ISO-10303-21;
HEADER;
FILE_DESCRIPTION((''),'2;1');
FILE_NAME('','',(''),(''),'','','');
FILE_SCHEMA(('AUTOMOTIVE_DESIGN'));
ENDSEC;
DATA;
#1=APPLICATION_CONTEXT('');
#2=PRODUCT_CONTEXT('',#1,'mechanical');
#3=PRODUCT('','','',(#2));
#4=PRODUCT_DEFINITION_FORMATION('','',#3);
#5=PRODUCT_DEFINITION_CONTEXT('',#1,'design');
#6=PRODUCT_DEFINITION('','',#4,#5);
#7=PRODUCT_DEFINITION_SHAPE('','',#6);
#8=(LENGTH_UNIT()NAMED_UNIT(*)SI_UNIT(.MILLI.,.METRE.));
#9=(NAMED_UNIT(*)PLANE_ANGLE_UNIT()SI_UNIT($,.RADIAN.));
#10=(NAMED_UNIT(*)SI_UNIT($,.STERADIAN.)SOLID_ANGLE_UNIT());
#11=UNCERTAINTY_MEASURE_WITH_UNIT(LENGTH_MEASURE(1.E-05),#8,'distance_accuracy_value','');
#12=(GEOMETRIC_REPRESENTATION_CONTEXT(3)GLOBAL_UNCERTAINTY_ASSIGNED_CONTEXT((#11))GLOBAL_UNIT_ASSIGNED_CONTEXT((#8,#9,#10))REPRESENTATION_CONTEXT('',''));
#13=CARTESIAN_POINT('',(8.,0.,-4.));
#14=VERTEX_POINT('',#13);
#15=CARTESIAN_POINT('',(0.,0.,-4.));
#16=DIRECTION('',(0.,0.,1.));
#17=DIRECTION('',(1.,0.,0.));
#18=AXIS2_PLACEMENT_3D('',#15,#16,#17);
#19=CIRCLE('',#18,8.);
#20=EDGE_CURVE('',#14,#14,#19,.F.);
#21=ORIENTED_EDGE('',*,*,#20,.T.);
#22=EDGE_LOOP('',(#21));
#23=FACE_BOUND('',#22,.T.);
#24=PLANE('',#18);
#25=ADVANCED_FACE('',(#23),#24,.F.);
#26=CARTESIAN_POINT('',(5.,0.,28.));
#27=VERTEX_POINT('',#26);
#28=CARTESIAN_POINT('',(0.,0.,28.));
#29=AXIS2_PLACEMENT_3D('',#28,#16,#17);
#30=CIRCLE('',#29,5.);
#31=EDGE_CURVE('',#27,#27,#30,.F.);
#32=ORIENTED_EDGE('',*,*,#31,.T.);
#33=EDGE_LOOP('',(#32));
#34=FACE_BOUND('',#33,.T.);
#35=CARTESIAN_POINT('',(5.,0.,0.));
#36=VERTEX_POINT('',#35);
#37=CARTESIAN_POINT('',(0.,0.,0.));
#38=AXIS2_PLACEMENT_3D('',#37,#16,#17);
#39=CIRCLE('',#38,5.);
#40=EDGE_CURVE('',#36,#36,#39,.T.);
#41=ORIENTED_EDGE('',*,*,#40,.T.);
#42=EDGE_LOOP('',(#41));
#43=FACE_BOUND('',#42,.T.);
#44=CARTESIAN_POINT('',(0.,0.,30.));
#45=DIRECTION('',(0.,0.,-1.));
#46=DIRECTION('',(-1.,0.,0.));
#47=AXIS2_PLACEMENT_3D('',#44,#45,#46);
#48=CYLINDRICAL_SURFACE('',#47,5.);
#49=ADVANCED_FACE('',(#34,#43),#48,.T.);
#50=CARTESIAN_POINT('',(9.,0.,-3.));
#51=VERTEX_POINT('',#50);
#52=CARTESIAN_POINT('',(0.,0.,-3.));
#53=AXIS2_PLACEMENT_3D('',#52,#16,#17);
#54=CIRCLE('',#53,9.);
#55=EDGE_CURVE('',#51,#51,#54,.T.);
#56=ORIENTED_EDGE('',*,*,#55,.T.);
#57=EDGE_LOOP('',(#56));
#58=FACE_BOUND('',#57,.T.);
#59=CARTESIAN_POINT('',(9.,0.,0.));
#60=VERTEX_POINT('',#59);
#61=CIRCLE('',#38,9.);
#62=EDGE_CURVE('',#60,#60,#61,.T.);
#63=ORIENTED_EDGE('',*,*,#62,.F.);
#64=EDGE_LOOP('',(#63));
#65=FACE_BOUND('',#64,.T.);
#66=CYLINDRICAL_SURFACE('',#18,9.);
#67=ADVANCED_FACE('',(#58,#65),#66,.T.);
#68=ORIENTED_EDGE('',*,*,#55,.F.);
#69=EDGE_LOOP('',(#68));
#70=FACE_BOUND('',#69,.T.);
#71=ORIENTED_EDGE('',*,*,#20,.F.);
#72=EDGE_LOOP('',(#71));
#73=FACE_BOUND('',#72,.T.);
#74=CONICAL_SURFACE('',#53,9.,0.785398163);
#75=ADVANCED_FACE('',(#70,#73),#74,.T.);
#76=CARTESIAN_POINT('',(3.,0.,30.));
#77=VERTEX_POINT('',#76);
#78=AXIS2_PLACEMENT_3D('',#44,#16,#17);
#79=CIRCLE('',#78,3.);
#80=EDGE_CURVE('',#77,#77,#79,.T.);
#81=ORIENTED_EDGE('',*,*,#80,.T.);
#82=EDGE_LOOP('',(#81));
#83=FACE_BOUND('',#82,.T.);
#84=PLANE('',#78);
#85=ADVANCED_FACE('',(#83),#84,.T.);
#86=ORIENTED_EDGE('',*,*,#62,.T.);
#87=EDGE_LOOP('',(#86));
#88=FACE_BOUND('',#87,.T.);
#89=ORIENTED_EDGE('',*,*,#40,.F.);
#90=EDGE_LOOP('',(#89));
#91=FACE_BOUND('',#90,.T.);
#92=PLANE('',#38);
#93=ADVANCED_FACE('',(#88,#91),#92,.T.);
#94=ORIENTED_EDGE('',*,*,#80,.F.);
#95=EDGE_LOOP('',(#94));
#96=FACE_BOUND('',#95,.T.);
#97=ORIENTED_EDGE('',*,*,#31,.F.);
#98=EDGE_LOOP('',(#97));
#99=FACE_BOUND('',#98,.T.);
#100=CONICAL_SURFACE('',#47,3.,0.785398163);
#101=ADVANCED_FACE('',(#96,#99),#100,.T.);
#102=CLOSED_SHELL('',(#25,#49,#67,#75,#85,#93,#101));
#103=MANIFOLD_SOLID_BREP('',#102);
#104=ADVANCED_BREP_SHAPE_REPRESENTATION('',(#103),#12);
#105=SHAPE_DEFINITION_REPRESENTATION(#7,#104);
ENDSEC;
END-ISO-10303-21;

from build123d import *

# Parameters (mm, degrees)
SKETCH2_R           = 5
BOSS_EXTRUDE1_DEPTH = 30
SKETCH1_R           = 9
BASE_EXTRUDE_DEPTH  = 4
CHAMFER1_SIZE       = 1
CHAMFER2_SIZE       = 2


with BuildPart() as part:
    # Sketch2 (on Front Plane) → Boss-Extrude1 (new body)
    with BuildSketch(Plane.XY):
        Circle(SKETCH2_R)
    extrude(amount=BOSS_EXTRUDE1_DEPTH)

    # Sketch1 → Base-Extrude (add)
    with BuildSketch(Plane.XY):
        Circle(SKETCH1_R)
    extrude(amount=-BASE_EXTRUDE_DEPTH)

    # Chamfer1
    chamfer1_edges = [part.edges().sort_by_distance(p)[0] for p in [
        (-9, 0, -4),
    ]]
    chamfer(chamfer1_edges, length=CHAMFER1_SIZE)

    # Chamfer2
    chamfer2_edges = [part.edges().sort_by_distance(p)[0] for p in [
        (-5, 0, 30),
    ]]
    chamfer(chamfer2_edges, length=CHAMFER2_SIZE)


solid = part.part
